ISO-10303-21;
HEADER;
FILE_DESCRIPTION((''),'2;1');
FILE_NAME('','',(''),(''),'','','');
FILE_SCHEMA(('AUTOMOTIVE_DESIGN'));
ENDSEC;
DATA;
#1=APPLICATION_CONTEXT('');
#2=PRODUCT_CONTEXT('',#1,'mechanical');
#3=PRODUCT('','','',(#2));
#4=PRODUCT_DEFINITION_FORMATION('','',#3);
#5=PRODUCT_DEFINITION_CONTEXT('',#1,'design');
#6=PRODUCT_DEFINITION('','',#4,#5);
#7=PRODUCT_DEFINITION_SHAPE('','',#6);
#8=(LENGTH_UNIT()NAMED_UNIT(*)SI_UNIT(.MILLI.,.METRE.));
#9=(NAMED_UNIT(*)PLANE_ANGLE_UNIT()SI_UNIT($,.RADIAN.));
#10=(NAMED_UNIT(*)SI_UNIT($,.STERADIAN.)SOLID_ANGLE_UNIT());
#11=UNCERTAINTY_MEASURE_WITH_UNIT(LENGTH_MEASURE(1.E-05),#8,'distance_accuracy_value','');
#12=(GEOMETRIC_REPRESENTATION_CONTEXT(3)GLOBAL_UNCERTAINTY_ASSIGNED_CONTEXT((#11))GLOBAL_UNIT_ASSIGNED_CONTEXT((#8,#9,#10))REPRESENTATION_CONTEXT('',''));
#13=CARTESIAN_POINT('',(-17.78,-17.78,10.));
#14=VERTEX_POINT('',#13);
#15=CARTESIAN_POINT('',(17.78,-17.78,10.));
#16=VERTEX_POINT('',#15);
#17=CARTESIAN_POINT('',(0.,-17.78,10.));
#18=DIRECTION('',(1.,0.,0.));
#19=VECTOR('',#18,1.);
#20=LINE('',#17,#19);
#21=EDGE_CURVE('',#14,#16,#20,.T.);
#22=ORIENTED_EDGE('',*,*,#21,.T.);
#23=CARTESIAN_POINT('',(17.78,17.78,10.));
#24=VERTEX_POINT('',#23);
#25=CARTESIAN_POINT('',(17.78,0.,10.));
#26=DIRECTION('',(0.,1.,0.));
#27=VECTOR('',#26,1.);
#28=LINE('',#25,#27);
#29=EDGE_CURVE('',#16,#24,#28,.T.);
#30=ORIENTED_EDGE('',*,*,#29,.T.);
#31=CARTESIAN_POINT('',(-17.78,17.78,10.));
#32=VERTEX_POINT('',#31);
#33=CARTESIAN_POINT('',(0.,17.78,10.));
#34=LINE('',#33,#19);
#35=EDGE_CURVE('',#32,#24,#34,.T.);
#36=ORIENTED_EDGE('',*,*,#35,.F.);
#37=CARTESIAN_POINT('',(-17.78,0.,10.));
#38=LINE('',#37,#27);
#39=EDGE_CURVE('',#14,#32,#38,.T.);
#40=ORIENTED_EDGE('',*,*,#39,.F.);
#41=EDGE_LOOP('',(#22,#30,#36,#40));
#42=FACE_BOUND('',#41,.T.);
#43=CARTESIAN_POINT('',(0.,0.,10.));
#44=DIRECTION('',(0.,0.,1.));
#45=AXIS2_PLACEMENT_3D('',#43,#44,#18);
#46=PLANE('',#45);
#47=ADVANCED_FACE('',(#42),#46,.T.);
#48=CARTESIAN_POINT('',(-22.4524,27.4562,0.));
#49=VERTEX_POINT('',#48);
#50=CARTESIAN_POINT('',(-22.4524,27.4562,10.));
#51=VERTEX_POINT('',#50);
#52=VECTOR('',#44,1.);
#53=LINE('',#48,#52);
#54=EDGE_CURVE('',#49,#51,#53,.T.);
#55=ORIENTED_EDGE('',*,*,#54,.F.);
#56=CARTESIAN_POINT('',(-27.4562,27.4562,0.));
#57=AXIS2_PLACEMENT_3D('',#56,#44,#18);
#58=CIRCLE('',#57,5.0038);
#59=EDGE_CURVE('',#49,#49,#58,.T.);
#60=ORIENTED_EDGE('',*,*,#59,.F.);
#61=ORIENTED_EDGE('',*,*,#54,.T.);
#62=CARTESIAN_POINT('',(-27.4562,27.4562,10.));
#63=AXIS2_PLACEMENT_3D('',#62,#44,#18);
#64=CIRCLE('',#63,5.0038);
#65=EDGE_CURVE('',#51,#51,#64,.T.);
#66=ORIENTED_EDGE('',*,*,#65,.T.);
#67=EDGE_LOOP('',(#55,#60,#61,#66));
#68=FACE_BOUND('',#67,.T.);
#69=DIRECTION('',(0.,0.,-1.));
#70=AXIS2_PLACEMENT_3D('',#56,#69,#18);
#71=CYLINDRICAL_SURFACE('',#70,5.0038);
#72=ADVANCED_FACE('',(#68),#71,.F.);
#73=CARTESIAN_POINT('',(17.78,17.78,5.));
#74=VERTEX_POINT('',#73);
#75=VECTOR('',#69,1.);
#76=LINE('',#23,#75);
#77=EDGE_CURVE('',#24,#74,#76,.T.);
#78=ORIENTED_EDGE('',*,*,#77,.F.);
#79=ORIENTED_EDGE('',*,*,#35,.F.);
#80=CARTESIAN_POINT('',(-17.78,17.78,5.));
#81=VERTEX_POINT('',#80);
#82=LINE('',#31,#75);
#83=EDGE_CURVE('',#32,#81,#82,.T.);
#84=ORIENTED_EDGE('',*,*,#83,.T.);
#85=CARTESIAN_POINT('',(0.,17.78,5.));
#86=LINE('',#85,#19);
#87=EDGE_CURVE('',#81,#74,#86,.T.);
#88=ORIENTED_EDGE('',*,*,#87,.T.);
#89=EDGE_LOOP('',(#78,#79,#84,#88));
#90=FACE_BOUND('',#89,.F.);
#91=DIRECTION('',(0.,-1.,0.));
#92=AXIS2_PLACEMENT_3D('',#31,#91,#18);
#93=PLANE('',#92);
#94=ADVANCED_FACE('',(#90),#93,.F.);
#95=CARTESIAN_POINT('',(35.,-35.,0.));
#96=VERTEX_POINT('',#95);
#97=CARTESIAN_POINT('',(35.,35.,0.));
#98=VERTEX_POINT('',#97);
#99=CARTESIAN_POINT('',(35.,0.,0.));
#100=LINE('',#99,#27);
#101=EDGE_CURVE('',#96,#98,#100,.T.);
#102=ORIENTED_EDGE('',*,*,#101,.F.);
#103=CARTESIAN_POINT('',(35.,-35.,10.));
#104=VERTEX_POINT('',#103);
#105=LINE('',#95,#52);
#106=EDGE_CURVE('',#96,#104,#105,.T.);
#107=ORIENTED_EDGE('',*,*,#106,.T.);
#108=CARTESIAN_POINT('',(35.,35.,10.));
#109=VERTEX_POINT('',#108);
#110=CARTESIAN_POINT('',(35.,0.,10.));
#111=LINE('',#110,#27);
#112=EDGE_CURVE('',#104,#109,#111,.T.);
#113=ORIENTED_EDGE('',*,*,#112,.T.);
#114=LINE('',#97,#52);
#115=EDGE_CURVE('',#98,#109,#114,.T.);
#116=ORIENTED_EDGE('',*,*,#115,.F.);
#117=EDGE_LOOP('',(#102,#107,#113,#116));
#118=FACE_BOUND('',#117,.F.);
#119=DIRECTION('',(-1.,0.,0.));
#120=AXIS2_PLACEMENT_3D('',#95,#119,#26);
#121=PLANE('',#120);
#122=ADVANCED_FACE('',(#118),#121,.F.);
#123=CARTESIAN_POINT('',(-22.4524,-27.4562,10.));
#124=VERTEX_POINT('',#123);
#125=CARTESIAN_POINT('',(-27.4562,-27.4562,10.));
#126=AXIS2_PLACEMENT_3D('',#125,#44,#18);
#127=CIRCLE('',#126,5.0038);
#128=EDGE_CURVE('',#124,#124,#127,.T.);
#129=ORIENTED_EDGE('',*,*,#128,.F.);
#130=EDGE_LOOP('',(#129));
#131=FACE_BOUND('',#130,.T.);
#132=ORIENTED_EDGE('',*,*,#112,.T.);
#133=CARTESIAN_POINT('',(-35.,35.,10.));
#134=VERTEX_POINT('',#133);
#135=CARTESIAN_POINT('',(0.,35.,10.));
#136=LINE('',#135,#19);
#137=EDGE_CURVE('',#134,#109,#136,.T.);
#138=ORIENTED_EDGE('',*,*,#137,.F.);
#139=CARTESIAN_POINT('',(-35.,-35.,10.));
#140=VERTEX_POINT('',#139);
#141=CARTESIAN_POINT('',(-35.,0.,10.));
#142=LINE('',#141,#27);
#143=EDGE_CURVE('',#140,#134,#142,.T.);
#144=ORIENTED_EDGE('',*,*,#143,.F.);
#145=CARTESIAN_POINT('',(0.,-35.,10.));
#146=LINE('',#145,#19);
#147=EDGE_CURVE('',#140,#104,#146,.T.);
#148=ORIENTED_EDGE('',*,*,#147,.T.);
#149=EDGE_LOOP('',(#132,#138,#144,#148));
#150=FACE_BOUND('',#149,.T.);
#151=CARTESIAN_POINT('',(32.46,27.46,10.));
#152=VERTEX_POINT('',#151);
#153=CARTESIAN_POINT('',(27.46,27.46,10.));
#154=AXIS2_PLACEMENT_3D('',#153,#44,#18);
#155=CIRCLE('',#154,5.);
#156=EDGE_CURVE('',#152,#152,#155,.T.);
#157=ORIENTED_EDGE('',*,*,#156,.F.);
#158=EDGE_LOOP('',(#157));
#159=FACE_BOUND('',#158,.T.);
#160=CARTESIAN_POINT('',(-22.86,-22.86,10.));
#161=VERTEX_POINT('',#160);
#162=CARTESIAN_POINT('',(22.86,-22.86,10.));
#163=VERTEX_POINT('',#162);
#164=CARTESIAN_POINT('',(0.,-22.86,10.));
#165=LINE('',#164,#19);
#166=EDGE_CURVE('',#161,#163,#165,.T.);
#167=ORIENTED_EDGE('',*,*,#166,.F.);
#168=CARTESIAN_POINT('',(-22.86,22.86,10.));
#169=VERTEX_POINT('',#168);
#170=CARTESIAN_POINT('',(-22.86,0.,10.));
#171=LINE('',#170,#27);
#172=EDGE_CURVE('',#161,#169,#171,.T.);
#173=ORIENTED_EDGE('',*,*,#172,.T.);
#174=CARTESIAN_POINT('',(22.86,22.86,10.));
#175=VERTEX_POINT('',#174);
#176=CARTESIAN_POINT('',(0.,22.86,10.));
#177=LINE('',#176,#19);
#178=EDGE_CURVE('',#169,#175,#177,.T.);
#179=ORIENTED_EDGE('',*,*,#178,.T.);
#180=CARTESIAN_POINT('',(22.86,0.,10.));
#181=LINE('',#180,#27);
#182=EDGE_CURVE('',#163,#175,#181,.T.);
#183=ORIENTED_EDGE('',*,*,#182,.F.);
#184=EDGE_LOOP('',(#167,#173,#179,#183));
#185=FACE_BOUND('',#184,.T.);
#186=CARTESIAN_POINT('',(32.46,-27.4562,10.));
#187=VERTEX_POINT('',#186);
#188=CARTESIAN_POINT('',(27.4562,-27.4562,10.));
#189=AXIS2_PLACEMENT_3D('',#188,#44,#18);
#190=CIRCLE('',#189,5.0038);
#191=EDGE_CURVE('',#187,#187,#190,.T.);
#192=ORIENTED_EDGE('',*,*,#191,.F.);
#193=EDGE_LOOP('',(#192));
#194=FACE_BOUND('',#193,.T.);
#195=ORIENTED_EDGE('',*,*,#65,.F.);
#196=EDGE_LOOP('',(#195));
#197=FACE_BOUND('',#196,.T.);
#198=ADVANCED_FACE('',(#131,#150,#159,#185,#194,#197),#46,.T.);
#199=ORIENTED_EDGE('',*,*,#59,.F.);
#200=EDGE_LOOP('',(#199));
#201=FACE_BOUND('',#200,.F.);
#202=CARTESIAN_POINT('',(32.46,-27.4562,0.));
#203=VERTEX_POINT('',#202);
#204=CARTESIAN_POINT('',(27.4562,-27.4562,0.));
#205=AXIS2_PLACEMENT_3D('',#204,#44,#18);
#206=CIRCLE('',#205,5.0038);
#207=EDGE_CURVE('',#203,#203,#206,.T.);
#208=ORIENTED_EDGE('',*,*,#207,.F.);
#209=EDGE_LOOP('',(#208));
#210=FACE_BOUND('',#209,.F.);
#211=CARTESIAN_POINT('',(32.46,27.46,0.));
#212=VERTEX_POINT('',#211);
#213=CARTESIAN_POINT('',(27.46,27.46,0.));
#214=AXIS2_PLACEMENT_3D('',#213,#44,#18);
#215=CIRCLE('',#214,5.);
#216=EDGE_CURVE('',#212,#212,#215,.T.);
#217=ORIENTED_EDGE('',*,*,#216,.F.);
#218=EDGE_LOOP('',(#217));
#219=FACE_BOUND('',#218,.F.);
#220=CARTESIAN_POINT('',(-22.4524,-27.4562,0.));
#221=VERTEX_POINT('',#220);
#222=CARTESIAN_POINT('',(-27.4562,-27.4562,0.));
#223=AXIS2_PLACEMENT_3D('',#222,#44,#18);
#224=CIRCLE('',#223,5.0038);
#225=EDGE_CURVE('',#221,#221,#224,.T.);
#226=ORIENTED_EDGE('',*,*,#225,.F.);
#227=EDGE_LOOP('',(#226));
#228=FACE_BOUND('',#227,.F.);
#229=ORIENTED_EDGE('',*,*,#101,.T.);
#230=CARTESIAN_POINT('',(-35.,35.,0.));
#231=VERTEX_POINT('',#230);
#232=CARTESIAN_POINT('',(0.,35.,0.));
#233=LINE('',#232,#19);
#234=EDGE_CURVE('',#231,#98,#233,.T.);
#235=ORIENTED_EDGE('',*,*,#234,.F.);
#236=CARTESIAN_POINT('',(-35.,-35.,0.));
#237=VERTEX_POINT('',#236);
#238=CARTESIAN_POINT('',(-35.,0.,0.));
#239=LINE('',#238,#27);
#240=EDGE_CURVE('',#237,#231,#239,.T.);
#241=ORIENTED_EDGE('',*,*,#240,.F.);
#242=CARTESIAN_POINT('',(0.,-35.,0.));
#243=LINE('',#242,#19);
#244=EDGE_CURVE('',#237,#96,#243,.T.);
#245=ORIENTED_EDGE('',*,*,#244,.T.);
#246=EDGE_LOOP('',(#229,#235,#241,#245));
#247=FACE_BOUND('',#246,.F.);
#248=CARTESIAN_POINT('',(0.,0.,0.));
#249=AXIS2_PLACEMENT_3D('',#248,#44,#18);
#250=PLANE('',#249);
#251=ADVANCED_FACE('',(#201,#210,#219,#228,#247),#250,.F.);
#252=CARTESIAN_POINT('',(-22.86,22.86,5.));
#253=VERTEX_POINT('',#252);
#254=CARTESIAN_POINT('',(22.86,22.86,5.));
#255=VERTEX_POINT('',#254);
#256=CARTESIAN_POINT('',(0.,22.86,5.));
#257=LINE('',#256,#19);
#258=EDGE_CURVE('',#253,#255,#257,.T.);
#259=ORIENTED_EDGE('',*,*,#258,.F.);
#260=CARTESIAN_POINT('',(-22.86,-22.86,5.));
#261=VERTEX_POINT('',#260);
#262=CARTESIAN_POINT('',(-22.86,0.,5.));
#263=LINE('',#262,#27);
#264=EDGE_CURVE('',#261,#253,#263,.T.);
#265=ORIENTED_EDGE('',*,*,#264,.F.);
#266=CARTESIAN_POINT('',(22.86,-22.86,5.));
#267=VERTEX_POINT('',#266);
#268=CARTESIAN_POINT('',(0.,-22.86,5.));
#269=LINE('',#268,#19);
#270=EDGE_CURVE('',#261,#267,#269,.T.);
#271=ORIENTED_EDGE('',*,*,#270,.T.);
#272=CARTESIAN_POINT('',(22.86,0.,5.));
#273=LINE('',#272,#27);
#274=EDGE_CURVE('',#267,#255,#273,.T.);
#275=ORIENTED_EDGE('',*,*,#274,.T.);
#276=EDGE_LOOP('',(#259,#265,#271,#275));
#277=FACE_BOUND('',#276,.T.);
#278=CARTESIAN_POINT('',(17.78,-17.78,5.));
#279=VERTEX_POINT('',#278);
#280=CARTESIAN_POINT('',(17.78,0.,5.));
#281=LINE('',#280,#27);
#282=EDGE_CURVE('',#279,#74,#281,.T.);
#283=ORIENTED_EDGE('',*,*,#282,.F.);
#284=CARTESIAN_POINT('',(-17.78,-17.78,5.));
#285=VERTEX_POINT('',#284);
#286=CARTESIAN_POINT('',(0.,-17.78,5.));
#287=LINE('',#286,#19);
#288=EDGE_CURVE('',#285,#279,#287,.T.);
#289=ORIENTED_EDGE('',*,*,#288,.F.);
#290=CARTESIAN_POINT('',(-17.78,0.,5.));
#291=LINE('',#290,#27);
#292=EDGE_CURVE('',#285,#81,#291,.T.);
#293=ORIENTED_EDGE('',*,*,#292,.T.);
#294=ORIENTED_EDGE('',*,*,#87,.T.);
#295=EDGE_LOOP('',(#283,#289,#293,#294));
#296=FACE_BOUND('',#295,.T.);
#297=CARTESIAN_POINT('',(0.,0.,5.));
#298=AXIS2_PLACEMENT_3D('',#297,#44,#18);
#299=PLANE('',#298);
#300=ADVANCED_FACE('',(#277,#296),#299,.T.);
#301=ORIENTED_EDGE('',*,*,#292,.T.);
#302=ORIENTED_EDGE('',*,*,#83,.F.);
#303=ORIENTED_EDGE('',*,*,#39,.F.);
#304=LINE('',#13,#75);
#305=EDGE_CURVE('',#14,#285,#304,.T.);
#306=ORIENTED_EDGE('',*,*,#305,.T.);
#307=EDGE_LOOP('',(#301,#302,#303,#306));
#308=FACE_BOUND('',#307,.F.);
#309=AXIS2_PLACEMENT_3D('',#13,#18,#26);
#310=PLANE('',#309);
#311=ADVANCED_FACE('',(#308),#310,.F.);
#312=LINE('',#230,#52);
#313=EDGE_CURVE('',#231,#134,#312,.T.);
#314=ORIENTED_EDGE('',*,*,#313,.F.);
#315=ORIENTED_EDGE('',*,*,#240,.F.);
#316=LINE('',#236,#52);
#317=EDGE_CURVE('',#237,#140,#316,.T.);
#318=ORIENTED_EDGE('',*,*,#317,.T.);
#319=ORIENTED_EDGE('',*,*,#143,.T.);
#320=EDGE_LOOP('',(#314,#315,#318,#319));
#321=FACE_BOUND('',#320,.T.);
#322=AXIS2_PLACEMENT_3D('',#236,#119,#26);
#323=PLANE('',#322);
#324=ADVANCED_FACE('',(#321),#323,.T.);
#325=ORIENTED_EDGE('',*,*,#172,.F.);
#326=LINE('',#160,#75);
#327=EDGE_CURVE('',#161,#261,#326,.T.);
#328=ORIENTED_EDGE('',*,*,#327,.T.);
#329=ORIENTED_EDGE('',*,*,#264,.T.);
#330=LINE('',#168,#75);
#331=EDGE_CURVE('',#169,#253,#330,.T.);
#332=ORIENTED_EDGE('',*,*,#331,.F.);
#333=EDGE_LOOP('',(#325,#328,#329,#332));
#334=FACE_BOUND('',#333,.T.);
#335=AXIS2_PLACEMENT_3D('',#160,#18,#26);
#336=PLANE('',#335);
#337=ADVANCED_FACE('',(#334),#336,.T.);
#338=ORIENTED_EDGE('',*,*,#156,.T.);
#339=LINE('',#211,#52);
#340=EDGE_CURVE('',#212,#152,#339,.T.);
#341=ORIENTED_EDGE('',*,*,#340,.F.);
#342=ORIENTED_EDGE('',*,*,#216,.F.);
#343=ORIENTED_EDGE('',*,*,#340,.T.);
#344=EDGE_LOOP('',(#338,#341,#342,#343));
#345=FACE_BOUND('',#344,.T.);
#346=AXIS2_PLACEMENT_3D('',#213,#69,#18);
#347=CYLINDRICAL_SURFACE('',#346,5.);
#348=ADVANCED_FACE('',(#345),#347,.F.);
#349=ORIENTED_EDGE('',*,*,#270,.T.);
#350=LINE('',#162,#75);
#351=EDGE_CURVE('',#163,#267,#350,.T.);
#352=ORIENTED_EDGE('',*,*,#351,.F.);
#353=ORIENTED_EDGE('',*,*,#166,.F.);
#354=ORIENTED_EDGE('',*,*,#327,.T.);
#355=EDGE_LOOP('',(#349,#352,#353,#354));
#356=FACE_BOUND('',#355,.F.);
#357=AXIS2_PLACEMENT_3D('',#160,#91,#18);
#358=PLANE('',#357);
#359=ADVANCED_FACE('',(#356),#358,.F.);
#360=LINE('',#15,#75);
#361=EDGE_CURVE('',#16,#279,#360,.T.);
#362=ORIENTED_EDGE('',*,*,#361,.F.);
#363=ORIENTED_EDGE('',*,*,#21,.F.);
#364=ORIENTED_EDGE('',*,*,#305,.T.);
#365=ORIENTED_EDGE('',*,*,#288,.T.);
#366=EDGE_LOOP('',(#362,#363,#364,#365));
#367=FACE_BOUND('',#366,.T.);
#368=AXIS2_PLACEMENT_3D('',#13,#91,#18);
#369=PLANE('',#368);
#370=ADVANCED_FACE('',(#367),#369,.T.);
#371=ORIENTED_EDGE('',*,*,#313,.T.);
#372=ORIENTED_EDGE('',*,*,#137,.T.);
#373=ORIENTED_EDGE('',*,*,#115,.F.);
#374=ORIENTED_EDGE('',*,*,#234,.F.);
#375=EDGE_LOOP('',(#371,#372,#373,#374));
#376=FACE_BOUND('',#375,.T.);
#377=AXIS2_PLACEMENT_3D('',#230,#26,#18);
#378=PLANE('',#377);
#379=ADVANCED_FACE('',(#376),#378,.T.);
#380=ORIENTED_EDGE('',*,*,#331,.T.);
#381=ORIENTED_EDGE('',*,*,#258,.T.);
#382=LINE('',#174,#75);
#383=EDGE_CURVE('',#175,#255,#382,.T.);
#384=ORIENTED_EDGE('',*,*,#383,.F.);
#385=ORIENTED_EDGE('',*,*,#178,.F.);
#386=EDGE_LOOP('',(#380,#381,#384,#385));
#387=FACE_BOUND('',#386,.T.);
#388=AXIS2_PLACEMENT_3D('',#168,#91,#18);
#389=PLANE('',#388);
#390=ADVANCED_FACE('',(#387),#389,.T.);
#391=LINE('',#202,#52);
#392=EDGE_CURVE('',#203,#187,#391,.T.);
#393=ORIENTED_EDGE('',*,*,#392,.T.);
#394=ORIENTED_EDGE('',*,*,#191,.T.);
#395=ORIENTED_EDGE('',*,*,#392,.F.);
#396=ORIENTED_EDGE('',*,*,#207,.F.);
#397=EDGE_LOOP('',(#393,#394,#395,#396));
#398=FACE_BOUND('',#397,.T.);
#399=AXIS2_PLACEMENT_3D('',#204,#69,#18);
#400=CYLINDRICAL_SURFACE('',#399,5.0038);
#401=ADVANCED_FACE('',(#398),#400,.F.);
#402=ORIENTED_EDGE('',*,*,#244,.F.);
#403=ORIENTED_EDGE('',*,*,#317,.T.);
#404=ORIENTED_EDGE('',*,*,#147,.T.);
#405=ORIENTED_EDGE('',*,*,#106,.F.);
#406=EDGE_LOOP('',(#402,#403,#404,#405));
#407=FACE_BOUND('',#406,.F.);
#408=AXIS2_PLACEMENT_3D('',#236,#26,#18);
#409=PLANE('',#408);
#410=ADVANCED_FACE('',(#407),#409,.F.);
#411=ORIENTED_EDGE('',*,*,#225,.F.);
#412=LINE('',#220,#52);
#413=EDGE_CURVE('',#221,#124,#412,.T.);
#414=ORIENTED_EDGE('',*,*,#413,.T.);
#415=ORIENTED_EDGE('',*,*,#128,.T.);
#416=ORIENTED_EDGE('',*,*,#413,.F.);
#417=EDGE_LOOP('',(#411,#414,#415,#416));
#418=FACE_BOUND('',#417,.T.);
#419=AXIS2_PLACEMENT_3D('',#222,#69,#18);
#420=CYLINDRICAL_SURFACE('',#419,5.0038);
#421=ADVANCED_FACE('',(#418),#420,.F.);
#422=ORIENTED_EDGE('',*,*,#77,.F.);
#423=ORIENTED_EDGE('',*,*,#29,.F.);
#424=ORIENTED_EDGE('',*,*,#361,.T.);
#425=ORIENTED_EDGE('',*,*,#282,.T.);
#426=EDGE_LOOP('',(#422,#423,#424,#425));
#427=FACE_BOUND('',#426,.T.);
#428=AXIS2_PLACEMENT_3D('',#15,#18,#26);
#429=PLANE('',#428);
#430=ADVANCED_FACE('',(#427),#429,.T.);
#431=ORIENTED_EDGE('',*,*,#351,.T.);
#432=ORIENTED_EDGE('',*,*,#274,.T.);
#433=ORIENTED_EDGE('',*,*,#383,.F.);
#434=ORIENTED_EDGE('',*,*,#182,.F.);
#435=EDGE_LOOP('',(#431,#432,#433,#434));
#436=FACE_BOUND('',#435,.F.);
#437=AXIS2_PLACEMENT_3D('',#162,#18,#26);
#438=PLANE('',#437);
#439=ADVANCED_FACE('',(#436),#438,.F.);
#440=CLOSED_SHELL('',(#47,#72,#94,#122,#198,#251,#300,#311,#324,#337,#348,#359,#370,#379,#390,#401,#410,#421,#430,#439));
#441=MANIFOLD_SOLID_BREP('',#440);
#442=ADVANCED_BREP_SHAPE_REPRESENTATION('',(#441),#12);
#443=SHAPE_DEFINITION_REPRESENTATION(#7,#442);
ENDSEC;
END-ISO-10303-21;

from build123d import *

# Parameters (mm, degrees)
F0_W     = 70
F0_H     = 70
F0_R     = 5.0038
F0_R_2   = 5
F1_DEPTH = 10
F2_W     = 45.72
F2_H     = 45.72
F2_W_2   = 35.56
F2_H_2   = 35.56
F3_DEPTH = 5


with BuildPart() as f1:
    # F0 (on Top) → F1 (new body)
    with BuildSketch(Plane.XY):
        Rectangle(F0_W, F0_H)
        with Locations((-27.4562, -27.4562)):
            Circle(F0_R, mode=Mode.SUBTRACT)
        with Locations((27.4562, -27.4562)):
            Circle(F0_R, mode=Mode.SUBTRACT)
        with Locations((-27.4562, 27.4562)):
            Circle(F0_R, mode=Mode.SUBTRACT)
        with Locations((27.46, 27.46)):
            Circle(F0_R_2, mode=Mode.SUBTRACT)
    extrude(amount=F1_DEPTH)

    # F2 (on face) → F3 (cut)
    with BuildSketch(Plane.XY.offset(10)):
        Rectangle(F2_W, F2_H)
        Rectangle(F2_W_2, F2_H_2, mode=Mode.SUBTRACT)
    extrude(amount=-F3_DEPTH, mode=Mode.SUBTRACT)


solid = f1.part
